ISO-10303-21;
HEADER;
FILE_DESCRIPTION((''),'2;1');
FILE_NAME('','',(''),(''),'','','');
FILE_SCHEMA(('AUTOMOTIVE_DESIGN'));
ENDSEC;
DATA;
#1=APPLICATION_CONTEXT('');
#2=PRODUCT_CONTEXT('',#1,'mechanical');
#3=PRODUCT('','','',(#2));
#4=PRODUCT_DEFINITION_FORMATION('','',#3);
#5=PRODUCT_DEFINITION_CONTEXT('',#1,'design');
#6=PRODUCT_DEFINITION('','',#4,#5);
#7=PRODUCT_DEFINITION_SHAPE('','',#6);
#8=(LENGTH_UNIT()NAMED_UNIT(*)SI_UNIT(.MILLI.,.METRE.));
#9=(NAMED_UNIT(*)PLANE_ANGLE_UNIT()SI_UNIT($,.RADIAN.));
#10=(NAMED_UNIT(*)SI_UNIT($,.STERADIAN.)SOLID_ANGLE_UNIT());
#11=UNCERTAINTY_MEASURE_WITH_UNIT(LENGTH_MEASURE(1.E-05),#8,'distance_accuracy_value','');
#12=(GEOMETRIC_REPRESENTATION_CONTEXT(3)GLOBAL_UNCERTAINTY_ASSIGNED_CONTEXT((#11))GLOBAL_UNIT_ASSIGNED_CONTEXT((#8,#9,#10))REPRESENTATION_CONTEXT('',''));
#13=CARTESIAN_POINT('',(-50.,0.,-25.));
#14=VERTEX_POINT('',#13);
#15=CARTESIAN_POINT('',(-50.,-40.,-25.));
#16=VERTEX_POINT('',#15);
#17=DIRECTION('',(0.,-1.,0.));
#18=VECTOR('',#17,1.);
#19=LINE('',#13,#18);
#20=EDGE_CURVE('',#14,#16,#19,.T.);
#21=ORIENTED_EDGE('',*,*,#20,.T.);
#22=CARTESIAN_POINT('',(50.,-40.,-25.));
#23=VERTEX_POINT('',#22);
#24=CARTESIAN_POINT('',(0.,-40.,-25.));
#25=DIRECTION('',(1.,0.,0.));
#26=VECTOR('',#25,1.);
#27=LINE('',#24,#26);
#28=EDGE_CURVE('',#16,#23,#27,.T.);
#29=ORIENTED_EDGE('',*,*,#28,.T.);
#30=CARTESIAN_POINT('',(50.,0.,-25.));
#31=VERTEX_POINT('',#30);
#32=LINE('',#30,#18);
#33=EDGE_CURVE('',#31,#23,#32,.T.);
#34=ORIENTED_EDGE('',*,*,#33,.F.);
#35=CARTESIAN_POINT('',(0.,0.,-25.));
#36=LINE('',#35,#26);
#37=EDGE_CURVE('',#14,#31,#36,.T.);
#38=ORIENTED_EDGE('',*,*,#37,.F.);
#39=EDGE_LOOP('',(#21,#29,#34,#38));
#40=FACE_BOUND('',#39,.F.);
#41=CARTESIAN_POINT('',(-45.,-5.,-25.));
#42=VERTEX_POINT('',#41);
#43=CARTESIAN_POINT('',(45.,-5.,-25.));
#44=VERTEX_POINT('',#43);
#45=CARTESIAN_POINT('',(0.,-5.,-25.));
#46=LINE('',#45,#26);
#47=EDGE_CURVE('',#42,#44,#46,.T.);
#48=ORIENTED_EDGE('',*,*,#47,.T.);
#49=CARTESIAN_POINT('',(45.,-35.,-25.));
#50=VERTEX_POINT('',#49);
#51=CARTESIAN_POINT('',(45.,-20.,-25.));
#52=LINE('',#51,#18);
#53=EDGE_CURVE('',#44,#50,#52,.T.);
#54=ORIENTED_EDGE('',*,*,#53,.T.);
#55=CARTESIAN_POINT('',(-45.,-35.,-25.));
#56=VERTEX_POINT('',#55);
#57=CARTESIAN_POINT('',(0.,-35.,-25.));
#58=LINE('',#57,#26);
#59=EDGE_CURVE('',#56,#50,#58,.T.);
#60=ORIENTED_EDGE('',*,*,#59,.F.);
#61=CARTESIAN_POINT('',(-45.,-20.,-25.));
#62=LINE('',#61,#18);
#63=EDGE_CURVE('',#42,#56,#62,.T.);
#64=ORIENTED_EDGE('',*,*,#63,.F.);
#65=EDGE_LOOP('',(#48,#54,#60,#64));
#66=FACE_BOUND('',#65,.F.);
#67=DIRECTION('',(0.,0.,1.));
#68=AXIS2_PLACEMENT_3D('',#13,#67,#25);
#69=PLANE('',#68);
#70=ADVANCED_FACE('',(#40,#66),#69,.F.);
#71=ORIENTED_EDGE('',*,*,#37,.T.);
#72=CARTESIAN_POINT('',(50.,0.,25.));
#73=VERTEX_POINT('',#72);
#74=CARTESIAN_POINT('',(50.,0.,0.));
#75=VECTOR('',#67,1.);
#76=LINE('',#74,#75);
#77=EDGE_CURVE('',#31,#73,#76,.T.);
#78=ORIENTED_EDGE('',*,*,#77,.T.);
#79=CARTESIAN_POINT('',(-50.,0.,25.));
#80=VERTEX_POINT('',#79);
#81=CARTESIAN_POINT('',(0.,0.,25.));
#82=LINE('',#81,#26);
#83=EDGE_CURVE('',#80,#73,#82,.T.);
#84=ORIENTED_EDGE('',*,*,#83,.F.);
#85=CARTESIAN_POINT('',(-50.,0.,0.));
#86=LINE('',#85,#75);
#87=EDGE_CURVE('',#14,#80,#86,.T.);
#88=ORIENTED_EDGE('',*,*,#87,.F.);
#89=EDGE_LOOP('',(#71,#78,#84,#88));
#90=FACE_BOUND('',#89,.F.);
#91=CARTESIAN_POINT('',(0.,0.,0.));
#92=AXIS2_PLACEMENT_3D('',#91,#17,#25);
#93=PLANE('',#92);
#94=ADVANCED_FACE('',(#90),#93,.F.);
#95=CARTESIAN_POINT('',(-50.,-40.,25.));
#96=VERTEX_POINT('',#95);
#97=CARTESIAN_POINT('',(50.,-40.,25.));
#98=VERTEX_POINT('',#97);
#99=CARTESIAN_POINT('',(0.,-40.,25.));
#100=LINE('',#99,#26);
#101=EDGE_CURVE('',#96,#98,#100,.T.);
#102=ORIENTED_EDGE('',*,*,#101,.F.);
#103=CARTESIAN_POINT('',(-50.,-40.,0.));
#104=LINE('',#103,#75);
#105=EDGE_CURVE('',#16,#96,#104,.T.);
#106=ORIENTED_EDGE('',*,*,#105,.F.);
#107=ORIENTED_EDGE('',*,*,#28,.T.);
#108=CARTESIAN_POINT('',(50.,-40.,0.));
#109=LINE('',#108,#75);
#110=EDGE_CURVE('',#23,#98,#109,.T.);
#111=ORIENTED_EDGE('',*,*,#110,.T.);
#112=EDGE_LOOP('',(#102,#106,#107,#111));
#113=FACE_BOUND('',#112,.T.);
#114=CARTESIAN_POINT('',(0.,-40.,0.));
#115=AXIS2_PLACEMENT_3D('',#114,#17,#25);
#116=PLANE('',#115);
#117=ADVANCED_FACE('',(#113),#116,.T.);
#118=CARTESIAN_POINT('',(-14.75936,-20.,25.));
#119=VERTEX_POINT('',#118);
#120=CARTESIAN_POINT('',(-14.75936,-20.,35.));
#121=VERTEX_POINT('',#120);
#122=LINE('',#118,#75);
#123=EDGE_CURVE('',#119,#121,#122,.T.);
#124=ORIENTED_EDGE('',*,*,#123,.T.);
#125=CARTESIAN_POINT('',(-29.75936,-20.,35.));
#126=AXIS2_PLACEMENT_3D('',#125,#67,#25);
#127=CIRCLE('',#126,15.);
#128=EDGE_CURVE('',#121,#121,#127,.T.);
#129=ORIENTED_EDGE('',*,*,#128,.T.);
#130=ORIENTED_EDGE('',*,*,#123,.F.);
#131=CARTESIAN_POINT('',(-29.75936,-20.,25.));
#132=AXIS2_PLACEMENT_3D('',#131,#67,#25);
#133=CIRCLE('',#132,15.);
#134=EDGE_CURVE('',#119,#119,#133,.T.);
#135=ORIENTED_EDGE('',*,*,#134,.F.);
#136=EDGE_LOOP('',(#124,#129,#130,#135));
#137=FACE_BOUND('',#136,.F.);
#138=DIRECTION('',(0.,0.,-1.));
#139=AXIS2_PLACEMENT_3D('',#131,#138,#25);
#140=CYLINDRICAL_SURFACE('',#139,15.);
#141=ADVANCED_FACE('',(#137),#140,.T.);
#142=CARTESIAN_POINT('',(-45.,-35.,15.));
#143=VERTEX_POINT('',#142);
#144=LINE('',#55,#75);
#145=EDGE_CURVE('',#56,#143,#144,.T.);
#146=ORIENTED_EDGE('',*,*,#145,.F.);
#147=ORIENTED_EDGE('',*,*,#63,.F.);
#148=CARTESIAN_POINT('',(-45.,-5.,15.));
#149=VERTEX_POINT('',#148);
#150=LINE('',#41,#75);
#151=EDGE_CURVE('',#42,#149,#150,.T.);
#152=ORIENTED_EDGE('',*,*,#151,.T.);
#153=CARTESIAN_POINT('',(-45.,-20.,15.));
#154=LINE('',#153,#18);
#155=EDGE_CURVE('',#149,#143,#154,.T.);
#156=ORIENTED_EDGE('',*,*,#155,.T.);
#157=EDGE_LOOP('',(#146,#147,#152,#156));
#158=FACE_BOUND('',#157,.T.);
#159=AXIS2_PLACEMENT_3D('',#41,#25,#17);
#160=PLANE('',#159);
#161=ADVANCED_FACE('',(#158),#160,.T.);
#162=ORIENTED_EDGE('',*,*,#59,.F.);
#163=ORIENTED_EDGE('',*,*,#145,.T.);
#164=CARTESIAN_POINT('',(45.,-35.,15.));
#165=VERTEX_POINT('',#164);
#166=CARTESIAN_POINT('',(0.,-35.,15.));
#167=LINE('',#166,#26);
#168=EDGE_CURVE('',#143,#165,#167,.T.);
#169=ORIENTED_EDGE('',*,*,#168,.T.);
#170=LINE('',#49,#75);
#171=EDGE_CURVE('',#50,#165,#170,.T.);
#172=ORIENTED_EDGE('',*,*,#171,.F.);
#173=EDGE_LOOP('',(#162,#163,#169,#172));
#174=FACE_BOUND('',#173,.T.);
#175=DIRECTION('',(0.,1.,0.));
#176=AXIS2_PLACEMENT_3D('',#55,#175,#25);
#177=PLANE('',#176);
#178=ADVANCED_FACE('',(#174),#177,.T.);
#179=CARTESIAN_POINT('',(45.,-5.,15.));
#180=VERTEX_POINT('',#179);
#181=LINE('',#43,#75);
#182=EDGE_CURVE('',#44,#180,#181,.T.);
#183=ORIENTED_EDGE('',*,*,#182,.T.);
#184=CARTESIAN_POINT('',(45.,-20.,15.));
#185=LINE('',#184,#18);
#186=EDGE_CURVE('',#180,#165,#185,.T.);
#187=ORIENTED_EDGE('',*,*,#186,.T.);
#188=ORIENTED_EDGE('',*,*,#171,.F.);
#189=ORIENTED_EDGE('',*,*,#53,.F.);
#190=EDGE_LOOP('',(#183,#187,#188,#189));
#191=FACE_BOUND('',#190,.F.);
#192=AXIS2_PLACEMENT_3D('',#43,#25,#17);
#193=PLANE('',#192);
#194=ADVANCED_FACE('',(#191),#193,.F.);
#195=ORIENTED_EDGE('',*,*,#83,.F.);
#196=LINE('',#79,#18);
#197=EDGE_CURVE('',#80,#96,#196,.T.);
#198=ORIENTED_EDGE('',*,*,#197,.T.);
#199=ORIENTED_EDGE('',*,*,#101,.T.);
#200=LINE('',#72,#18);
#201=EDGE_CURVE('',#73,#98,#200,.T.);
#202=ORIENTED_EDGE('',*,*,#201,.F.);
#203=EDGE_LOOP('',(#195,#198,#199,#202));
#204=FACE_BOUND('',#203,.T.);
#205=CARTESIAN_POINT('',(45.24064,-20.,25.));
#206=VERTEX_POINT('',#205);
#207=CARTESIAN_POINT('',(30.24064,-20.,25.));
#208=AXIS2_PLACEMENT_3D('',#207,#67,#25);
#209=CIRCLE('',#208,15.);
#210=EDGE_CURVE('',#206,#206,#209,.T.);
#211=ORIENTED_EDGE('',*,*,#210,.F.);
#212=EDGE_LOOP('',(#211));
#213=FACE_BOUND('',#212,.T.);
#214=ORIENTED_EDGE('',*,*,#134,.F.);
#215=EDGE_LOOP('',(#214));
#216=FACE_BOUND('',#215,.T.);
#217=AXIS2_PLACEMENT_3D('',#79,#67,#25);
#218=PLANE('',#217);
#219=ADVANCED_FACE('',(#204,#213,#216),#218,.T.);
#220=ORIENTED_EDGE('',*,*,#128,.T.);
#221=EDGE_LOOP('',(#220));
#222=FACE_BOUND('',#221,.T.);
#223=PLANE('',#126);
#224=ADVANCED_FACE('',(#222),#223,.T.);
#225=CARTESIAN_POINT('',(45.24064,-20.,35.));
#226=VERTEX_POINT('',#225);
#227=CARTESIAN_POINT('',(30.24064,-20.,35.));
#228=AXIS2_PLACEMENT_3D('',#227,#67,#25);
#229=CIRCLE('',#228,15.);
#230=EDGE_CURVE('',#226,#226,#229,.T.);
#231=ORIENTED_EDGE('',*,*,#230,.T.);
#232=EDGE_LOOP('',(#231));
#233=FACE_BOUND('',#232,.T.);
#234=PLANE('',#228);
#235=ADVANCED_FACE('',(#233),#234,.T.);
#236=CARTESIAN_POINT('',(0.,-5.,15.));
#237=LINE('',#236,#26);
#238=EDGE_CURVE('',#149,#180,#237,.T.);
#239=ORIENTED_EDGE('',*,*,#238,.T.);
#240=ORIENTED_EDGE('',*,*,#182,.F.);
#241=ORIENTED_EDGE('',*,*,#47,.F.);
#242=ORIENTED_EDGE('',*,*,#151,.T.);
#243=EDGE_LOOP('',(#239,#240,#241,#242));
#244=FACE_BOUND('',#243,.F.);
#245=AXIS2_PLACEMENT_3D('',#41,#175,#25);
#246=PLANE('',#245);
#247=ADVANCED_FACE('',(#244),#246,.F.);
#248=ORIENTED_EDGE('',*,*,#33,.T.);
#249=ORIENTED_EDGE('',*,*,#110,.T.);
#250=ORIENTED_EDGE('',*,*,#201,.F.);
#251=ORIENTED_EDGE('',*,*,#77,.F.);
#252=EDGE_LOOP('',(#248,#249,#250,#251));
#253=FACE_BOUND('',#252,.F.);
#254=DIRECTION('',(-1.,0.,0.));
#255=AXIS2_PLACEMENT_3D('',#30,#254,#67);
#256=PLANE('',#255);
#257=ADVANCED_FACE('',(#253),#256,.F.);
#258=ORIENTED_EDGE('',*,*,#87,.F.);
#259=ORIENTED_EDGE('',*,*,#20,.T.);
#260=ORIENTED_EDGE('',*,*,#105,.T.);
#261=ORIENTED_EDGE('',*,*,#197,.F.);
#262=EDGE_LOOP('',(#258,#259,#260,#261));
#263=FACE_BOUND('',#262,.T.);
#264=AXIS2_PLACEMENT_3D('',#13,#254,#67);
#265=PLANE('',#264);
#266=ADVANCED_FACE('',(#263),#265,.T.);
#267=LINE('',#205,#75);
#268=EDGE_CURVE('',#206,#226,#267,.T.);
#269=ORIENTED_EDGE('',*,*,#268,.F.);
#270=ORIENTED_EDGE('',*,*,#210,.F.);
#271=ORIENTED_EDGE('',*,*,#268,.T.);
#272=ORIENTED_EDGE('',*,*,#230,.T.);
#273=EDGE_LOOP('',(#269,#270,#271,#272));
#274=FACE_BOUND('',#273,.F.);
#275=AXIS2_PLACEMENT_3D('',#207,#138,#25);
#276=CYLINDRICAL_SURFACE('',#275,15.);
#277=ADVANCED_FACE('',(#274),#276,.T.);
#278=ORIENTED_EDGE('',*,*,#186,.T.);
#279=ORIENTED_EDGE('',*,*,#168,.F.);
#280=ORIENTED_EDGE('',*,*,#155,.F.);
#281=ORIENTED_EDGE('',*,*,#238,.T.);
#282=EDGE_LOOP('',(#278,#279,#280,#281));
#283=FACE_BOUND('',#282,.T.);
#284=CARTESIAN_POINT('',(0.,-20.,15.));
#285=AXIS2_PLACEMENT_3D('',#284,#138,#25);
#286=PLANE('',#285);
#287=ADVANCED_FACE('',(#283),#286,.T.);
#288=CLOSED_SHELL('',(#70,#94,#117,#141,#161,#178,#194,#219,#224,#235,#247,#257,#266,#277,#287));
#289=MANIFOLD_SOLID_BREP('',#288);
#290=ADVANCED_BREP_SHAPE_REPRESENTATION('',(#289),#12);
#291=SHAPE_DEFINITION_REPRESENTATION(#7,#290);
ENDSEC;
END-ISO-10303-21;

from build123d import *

# Parameters (mm, degrees)
F0_W     = 100
F0_H     = 50
F1_DEPTH = 40
F2_R     = 15
F3_DEPTH = 10
F5_W     = 90
F5_H     = 30
F6_DEPTH = 40


with BuildPart() as f1:
    # F0 (on Front) → F1 (new body)
    with BuildSketch(Plane.XZ):
        Rectangle(F0_W, F0_H)
    extrude(amount=F1_DEPTH)

    # F2 (on face) → F3 (join)
    with BuildSketch(Plane.XY.offset(25)):
        with Locations((-29.75936, -20)):
            Circle(F2_R)
        with Locations((30.24064, -20)):
            Circle(F2_R)
    extrude(amount=F3_DEPTH)

    # F5 (on face) → F6 (cut)
    with BuildSketch(Plane(origin=(0, 0, -25), x_dir=(1, 0, 0), z_dir=(0, 0, -1))):
        with Locations((0, 20)):
            Rectangle(F5_W, F5_H)
    extrude(amount=-F6_DEPTH, mode=Mode.SUBTRACT)


solid = f1.part
